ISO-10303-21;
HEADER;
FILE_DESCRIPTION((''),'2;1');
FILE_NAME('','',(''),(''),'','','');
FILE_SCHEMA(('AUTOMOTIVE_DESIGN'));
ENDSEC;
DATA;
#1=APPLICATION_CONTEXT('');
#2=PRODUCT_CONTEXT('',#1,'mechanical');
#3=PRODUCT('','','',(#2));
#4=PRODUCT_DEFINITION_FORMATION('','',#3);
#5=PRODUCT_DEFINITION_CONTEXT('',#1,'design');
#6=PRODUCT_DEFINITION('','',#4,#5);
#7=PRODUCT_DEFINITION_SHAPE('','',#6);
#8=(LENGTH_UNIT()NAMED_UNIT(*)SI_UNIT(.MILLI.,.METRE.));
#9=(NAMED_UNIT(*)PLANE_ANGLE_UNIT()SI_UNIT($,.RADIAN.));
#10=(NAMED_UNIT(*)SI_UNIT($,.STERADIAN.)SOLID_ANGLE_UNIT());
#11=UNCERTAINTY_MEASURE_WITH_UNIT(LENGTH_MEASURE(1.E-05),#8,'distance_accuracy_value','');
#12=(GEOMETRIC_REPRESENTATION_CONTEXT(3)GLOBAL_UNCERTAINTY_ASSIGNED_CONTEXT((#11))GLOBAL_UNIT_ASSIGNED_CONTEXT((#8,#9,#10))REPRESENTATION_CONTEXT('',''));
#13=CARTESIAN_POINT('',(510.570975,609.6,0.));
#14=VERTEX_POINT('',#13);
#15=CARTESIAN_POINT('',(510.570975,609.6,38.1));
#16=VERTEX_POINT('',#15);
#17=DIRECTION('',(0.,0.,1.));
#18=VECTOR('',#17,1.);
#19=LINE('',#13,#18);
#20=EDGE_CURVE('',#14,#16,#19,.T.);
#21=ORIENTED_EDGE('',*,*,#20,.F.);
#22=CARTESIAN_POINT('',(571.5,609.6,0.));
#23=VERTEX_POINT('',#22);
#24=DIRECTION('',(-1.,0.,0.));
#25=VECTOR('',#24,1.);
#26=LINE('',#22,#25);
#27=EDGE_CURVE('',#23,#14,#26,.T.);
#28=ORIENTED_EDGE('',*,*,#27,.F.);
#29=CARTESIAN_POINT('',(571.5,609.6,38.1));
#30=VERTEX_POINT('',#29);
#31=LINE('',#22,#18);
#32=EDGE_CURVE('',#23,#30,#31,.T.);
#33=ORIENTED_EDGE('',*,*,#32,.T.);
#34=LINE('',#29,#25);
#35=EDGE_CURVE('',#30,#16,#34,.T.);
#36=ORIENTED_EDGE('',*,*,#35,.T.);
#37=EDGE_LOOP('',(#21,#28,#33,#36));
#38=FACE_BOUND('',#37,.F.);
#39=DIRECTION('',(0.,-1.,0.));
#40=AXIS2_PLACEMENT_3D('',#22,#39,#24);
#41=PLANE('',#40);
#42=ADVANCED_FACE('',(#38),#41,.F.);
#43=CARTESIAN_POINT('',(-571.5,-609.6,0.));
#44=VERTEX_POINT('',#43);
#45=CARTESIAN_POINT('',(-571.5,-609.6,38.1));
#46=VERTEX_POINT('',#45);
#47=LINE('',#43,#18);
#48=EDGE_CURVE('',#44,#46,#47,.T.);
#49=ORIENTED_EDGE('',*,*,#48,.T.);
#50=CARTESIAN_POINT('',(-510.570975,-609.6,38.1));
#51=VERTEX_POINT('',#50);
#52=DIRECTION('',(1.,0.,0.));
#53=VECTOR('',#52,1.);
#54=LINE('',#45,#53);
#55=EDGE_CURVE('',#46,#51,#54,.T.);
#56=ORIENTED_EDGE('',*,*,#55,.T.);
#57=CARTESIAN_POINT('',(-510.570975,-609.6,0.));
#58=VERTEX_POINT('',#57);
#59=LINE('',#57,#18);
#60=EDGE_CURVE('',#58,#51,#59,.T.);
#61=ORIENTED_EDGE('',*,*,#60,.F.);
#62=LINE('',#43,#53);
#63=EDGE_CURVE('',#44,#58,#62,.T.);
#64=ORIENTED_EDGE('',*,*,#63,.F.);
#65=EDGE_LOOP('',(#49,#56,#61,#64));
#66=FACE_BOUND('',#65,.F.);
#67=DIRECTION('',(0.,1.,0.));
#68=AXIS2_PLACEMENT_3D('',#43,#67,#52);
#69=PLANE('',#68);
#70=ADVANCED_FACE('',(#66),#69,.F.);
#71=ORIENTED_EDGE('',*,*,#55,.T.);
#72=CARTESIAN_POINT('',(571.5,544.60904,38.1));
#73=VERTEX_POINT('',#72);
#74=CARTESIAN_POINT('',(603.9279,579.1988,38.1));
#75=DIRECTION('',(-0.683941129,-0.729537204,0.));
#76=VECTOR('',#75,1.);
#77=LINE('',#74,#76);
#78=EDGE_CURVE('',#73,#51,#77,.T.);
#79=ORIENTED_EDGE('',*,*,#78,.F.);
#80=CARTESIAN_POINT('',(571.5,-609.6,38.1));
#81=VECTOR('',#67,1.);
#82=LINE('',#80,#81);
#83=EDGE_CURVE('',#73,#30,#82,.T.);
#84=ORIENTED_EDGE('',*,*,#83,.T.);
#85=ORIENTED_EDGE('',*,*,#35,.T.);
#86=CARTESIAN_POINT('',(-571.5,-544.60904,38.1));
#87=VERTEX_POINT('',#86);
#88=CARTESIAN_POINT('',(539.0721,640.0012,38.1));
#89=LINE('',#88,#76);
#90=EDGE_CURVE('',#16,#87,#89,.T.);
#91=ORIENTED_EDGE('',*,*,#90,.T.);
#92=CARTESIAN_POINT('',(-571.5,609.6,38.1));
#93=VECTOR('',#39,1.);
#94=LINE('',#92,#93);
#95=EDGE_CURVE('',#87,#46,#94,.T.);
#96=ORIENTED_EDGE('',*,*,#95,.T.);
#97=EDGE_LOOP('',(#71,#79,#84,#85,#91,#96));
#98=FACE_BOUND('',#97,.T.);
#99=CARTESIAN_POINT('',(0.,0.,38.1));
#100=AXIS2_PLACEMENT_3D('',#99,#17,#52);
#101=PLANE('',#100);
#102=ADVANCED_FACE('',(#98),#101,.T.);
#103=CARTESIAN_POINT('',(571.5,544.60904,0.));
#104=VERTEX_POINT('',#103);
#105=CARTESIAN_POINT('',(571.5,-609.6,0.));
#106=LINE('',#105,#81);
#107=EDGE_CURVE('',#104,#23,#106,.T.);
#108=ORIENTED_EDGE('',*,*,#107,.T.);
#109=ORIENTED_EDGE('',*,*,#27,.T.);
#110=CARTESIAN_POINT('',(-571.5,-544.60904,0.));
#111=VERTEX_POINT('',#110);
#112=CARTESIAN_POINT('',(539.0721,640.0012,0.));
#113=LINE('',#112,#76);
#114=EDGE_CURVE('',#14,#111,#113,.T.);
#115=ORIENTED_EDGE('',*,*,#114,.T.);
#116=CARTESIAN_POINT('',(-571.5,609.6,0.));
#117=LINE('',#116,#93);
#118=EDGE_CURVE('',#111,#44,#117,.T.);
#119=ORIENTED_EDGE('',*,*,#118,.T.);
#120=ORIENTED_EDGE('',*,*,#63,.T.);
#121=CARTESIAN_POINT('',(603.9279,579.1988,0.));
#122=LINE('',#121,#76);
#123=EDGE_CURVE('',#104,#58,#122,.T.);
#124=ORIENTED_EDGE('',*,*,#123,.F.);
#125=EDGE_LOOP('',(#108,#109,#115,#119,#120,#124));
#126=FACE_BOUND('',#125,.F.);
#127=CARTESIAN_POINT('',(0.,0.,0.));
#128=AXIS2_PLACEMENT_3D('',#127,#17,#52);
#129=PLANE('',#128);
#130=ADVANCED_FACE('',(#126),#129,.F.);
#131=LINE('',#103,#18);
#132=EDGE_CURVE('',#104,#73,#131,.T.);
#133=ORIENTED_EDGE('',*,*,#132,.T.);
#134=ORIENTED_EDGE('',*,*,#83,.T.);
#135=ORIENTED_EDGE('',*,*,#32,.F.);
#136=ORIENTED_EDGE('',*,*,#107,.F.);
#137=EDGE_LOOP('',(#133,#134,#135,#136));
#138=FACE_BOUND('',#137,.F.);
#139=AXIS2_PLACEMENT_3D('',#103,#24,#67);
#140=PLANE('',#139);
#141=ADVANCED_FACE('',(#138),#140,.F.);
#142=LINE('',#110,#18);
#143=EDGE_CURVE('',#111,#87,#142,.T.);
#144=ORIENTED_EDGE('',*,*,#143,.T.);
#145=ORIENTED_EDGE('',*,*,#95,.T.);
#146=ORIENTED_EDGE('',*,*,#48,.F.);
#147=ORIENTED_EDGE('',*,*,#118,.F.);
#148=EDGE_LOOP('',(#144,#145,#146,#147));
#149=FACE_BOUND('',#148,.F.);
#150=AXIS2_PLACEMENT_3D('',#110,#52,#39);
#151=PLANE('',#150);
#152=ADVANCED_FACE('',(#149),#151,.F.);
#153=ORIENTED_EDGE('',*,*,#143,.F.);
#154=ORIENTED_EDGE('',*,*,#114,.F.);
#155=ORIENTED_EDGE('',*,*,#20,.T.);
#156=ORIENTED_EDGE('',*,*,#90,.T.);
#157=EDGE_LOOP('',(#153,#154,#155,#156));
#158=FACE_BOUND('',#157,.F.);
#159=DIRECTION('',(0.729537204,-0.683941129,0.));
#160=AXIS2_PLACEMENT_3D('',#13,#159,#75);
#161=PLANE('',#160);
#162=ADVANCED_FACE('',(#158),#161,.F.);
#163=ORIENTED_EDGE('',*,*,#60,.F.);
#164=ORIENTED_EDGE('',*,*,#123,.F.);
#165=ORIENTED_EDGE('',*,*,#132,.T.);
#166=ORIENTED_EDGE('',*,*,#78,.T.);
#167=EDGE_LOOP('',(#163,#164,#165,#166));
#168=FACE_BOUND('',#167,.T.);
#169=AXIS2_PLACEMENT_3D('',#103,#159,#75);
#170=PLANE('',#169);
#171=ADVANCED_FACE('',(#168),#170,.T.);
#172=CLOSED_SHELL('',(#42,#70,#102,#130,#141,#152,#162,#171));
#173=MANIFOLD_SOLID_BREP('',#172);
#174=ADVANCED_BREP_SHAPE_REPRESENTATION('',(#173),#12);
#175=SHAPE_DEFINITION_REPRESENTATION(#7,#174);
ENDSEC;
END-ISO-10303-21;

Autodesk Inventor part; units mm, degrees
ref_plane "YZ Plane" through (0, 0, 0) normal (1, 0, 0) x (0, 1, 0)
ref_plane "XZ Plane" through (0, 0, 0) normal (0, 1, 0) x (-1, 0, 0)
ref_plane "XY Plane" through (0, 0, 0) normal (0, 0, 1) x (1, 0, 0)
sketch "Sketch1" plane through (0, 0, 0) normal (0, 0, 1) x (1, 0, 0)
  line L0 (-571.5, -609.6) -> (571.5, -609.6)
  line L1 (571.5, -609.6) -> (571.5, 609.6)
  line L2 (571.5, 609.6) -> (-571.5, 609.6)
  line L3 (-571.5, 609.6) -> (-571.5, -609.6)
  line L4 (-571.5, -609.6) -> (571.5, 609.6) construction
  line L5 (571.5, -609.6) -> (-571.5, 609.6) construction
  line L6 (571.5, 609.6) -> (-571.5, -609.6)
  line L7 (-539.0721, -640.0012) -> (-603.9279, -579.1988)
  line L8 (603.9279, 579.1988) -> (539.0721, 640.0012)
  line L9 (539.0721, 640.0012) -> (-603.9279, -579.1988)
  line L10 (603.9279, 579.1988) -> (-539.0721, -640.0012)
  point P0 (0, 0)
  point P1 (510.571, 609.6)
  point P2 (-571.5, -544.609)
  point P3 (-510.571, -609.6)
  point P4 (571.5, 544.609)
  dimension "d0" = 1143
  dimension "d1" = 1219.2
  dimension "d2" = 88.9
  dimension "d3" = 88.9
extrude "Extrusion1" add sketch "Sketch1" along normal blind 38.1 contours L6 L1 L10 L0 | L3 L9 L2 L6
properties part number "S_2x4x65.795"
